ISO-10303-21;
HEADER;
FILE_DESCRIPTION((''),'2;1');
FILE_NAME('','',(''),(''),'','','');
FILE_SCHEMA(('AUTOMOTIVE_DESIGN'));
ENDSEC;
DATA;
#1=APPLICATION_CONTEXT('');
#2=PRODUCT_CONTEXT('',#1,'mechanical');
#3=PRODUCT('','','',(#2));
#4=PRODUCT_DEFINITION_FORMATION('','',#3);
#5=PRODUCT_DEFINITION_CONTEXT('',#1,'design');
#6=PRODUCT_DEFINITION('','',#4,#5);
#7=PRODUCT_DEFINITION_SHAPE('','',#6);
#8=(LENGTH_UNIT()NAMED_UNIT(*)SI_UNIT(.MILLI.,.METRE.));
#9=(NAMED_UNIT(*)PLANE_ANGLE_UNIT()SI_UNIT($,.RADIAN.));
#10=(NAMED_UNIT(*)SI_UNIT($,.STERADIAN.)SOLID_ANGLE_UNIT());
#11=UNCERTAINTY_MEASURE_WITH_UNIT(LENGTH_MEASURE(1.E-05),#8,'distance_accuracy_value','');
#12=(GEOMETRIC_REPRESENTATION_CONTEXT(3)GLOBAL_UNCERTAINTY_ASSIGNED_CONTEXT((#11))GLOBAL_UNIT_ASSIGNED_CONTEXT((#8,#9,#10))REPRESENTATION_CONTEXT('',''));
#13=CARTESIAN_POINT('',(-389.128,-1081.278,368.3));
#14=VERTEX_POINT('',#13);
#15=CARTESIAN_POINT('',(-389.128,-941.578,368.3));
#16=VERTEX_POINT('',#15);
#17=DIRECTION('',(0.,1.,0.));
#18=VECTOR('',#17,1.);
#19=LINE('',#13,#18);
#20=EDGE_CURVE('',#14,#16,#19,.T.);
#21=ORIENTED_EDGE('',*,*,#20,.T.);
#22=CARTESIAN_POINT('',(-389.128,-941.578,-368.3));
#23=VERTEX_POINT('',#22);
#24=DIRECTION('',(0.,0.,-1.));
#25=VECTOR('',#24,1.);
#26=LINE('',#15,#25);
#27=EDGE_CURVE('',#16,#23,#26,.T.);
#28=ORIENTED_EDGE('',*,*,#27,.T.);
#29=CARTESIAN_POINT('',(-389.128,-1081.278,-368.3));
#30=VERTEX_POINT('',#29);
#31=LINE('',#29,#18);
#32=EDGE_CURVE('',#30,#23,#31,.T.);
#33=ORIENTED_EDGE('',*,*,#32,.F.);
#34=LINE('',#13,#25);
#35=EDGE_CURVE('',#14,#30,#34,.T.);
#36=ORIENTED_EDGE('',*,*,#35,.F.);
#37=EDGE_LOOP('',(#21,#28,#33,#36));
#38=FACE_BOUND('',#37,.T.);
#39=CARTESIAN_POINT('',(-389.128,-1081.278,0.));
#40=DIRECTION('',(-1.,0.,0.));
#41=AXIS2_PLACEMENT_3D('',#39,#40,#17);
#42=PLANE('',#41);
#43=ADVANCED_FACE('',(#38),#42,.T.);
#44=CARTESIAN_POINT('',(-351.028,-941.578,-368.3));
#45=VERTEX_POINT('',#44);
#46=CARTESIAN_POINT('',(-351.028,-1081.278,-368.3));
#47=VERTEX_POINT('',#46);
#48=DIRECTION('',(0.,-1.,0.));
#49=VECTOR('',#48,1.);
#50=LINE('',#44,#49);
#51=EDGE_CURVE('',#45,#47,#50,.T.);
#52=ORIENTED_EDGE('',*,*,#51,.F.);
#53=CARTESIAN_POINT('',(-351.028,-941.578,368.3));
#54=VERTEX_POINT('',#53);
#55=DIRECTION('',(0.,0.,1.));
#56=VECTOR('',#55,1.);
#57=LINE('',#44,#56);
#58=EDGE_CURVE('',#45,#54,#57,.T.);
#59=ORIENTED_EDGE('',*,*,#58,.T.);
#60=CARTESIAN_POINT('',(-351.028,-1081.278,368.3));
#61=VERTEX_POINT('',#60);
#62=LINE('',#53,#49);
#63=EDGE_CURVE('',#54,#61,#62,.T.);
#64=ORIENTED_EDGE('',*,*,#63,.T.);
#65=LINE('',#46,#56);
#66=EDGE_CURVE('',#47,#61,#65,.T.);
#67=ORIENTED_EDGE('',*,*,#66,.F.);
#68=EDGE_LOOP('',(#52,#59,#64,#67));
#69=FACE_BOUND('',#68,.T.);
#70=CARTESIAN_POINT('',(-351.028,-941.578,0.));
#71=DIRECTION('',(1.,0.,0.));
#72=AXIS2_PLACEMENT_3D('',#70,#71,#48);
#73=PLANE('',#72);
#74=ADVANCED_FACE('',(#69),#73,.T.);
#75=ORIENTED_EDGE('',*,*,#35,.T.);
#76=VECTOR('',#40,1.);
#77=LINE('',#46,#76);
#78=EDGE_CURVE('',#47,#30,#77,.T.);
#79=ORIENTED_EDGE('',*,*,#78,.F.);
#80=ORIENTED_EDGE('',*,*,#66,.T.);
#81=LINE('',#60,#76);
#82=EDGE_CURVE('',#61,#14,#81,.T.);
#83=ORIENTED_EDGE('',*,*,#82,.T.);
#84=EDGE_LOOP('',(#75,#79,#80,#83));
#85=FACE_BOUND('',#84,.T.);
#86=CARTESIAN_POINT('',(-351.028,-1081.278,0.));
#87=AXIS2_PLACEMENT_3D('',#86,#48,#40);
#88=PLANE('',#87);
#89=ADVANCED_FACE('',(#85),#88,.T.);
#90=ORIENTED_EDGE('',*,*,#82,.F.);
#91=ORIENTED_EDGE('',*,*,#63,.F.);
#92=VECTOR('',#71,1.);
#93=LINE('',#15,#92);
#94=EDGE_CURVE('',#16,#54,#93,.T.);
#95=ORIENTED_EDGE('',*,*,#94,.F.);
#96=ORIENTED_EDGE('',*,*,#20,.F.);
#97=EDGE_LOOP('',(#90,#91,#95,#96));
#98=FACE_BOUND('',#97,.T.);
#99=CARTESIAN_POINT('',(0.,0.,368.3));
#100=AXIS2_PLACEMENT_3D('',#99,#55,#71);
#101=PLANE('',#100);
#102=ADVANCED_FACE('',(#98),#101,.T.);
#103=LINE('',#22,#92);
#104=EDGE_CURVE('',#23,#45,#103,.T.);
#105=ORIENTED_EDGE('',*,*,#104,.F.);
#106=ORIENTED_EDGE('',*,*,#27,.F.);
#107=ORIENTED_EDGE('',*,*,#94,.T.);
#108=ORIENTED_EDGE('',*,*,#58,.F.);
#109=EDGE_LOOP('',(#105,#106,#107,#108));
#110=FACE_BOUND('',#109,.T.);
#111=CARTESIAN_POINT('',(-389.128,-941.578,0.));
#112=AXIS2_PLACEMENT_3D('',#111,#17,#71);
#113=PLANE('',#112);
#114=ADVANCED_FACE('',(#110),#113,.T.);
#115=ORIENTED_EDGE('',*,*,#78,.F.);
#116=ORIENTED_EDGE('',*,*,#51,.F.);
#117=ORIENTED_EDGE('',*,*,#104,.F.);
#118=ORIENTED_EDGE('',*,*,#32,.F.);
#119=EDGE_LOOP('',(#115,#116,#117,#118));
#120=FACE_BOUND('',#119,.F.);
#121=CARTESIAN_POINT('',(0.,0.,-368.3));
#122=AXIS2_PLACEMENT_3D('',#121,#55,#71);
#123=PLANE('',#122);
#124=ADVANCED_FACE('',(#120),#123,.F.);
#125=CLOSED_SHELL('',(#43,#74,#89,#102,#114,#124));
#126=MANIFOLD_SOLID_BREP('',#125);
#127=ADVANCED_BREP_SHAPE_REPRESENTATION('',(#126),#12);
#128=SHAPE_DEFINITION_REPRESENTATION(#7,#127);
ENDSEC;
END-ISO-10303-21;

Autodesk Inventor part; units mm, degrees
ref_plane "YZ Plane" through (0, 0, 0) normal (1, 0, 0) x (0, 1, 0)
ref_plane "XZ Plane" through (0, 0, 0) normal (0, 1, 0) x (-1, 0, 0)
ref_plane "XY Plane" through (0, 0, 0) normal (0, 0, 1) x (1, 0, 0)
ref_plane "Work Plane1" through (0, 0, 0) normal (0, 0, 1) x (1, 0, 0)
sketch "Sketch1" plane through (0, 0, 0) normal (0, 0, 1) x (1, 0, 0)
  line L0 (-351.028, -1081.278) -> (-389.128, -1081.278)
  line L1 (-389.128, -1081.278) -> (-389.128, -941.578)
  line L2 (-389.128, -941.578) -> (-351.028, -941.578)
  line L3 (-351.028, -941.578) -> (-351.028, -1081.278)
  line L4 (490.728, 1030.478) -> (-351.028, 1030.478) projected
  line L5 (-351.028, 1030.478) -> (-351.028, -1081.278) projected
  line L6 (-351.028, -1081.278) -> (490.728, -1081.278) projected
  line L7 (490.728, -1081.278) -> (490.728, 1030.478) projected
  line L8 (-312.928, -1043.178) -> (-312.928, 992.378) projected
  line L9 (-312.928, 992.378) -> (452.628, 992.378) projected
  line L10 (452.628, 992.378) -> (452.628, -1043.178) projected
  line L11 (452.628, -1043.178) -> (-312.928, -1043.178) projected
  point P0 (0, 0)
  point P1 (311.15, -1041.4)
  point P2 (349.25, -1079.5)
  dimension "d0" = 38.1
  dimension "d1" = 139.7
extrude "Extrusion1" add sketch "Sketch1" along normal mid plane 736.6 contours L0 L1 L2 L3
properties part number "DoorFrameBase"
